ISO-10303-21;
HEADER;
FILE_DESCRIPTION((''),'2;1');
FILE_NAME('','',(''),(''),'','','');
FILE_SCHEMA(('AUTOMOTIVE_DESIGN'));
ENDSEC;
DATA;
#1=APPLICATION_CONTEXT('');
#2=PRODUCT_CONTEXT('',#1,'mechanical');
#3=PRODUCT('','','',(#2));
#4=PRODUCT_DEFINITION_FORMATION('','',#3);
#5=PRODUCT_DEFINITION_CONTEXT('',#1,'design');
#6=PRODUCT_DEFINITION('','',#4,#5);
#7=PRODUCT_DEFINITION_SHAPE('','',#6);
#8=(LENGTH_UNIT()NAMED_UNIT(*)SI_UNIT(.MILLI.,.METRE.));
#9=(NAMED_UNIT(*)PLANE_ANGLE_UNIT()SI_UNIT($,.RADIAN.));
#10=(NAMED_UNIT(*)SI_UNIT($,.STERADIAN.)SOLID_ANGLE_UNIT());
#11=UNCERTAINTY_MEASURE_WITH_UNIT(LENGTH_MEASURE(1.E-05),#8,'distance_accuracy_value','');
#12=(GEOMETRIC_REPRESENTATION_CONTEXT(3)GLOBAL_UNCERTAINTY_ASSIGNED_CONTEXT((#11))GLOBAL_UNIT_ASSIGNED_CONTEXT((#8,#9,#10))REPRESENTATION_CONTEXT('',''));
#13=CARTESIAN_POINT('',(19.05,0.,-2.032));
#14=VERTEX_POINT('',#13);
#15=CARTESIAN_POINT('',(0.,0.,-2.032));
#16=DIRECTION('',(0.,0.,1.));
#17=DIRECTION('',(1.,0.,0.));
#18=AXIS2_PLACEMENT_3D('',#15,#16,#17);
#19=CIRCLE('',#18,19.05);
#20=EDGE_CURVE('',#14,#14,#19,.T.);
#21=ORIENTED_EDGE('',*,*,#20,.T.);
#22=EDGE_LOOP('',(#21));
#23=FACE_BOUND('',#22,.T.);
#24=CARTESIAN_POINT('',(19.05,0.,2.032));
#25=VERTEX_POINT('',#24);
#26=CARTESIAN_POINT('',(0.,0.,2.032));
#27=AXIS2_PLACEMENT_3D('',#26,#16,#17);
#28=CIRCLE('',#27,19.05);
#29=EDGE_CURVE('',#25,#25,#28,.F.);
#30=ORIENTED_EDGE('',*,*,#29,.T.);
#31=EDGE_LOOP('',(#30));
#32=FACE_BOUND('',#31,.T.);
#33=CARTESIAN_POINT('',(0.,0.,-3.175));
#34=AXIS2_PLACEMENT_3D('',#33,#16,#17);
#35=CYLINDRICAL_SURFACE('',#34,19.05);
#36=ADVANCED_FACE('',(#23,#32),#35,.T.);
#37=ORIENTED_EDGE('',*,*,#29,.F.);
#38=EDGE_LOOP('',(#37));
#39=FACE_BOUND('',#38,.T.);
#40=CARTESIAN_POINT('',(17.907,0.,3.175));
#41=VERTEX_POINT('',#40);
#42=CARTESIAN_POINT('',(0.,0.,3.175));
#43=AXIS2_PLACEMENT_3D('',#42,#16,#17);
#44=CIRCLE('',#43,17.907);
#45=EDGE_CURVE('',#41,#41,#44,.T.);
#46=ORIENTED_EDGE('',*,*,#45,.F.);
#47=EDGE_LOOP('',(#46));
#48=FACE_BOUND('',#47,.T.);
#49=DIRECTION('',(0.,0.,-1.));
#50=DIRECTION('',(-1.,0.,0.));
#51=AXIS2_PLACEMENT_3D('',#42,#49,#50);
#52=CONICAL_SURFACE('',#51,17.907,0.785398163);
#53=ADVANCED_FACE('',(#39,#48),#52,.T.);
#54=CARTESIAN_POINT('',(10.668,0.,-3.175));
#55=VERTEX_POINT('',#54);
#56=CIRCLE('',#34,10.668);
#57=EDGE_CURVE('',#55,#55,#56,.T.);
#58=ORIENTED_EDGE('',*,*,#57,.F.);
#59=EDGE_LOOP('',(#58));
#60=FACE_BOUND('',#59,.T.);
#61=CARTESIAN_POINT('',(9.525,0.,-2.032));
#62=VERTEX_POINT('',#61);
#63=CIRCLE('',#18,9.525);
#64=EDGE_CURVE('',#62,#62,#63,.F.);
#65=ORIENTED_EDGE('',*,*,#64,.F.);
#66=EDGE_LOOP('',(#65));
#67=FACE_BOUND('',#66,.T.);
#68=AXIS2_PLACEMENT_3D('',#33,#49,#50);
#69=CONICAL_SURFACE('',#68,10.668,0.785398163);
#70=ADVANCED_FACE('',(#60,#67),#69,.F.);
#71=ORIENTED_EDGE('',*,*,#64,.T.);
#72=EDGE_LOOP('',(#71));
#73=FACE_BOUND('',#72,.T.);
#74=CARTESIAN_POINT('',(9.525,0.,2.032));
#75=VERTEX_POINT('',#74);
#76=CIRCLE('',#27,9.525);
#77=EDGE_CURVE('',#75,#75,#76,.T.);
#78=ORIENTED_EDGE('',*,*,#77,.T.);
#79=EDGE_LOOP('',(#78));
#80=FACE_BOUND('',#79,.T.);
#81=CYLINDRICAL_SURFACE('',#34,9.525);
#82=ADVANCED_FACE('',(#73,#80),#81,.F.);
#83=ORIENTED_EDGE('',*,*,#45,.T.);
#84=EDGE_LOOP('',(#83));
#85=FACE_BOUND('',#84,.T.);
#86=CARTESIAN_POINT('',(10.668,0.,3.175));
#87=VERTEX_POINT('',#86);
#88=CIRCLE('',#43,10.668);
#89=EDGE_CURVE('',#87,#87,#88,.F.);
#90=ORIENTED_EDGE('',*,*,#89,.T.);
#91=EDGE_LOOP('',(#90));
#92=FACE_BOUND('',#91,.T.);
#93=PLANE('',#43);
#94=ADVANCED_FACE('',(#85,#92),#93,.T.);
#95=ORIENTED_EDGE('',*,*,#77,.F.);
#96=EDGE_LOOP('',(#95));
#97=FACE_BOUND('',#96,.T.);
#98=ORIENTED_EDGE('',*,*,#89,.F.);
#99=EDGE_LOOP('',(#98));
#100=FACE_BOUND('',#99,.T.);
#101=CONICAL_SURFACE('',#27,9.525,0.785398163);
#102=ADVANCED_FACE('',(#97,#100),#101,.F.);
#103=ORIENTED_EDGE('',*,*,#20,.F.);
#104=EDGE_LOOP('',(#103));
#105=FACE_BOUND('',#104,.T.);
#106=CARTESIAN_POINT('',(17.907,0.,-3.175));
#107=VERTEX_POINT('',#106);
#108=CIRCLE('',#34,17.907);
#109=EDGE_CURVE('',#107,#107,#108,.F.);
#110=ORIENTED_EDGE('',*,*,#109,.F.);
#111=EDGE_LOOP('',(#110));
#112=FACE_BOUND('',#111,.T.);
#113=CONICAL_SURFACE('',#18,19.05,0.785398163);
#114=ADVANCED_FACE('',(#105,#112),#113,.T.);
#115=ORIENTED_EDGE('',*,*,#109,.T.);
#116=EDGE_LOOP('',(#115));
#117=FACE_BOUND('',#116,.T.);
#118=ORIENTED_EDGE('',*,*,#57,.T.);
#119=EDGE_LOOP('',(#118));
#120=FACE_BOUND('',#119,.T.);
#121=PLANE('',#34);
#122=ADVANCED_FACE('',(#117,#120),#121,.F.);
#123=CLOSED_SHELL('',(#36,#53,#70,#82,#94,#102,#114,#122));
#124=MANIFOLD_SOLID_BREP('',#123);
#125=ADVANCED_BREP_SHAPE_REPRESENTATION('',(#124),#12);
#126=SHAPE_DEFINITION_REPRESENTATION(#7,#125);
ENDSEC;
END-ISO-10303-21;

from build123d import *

# Parameters (mm, degrees)
SKETCH3_R                = 19.05
SKETCH3_R_2              = 9.525
BOSS_EXTRUDE1_DEPTH      = 3.175
BOSS_EXTRUDE1_DEPTH_BACK = 3.175
CHAMFER1_SIZE            = 1.143


with BuildPart() as part:
    # Sketch3 → Boss-Extrude1 (new body, two sides)
    with BuildSketch(Plane.XY) as boss_extrude1_sk:
        Circle(SKETCH3_R)
        Circle(SKETCH3_R_2, mode=Mode.SUBTRACT)
    extrude(amount=BOSS_EXTRUDE1_DEPTH)
    extrude(boss_extrude1_sk.sketch, amount=-BOSS_EXTRUDE1_DEPTH_BACK)

    # Chamfer1
    chamfer1_edges = [part.edges().sort_by_distance(p)[0] for p in [
        (-19.05, 0, -3.175),
        (-9.525, 0, -3.175),
        (-19.05, 0, 3.175),
        (-9.525, 0, 3.175),
    ]]
    chamfer(chamfer1_edges, length=CHAMFER1_SIZE)


solid = part.part
